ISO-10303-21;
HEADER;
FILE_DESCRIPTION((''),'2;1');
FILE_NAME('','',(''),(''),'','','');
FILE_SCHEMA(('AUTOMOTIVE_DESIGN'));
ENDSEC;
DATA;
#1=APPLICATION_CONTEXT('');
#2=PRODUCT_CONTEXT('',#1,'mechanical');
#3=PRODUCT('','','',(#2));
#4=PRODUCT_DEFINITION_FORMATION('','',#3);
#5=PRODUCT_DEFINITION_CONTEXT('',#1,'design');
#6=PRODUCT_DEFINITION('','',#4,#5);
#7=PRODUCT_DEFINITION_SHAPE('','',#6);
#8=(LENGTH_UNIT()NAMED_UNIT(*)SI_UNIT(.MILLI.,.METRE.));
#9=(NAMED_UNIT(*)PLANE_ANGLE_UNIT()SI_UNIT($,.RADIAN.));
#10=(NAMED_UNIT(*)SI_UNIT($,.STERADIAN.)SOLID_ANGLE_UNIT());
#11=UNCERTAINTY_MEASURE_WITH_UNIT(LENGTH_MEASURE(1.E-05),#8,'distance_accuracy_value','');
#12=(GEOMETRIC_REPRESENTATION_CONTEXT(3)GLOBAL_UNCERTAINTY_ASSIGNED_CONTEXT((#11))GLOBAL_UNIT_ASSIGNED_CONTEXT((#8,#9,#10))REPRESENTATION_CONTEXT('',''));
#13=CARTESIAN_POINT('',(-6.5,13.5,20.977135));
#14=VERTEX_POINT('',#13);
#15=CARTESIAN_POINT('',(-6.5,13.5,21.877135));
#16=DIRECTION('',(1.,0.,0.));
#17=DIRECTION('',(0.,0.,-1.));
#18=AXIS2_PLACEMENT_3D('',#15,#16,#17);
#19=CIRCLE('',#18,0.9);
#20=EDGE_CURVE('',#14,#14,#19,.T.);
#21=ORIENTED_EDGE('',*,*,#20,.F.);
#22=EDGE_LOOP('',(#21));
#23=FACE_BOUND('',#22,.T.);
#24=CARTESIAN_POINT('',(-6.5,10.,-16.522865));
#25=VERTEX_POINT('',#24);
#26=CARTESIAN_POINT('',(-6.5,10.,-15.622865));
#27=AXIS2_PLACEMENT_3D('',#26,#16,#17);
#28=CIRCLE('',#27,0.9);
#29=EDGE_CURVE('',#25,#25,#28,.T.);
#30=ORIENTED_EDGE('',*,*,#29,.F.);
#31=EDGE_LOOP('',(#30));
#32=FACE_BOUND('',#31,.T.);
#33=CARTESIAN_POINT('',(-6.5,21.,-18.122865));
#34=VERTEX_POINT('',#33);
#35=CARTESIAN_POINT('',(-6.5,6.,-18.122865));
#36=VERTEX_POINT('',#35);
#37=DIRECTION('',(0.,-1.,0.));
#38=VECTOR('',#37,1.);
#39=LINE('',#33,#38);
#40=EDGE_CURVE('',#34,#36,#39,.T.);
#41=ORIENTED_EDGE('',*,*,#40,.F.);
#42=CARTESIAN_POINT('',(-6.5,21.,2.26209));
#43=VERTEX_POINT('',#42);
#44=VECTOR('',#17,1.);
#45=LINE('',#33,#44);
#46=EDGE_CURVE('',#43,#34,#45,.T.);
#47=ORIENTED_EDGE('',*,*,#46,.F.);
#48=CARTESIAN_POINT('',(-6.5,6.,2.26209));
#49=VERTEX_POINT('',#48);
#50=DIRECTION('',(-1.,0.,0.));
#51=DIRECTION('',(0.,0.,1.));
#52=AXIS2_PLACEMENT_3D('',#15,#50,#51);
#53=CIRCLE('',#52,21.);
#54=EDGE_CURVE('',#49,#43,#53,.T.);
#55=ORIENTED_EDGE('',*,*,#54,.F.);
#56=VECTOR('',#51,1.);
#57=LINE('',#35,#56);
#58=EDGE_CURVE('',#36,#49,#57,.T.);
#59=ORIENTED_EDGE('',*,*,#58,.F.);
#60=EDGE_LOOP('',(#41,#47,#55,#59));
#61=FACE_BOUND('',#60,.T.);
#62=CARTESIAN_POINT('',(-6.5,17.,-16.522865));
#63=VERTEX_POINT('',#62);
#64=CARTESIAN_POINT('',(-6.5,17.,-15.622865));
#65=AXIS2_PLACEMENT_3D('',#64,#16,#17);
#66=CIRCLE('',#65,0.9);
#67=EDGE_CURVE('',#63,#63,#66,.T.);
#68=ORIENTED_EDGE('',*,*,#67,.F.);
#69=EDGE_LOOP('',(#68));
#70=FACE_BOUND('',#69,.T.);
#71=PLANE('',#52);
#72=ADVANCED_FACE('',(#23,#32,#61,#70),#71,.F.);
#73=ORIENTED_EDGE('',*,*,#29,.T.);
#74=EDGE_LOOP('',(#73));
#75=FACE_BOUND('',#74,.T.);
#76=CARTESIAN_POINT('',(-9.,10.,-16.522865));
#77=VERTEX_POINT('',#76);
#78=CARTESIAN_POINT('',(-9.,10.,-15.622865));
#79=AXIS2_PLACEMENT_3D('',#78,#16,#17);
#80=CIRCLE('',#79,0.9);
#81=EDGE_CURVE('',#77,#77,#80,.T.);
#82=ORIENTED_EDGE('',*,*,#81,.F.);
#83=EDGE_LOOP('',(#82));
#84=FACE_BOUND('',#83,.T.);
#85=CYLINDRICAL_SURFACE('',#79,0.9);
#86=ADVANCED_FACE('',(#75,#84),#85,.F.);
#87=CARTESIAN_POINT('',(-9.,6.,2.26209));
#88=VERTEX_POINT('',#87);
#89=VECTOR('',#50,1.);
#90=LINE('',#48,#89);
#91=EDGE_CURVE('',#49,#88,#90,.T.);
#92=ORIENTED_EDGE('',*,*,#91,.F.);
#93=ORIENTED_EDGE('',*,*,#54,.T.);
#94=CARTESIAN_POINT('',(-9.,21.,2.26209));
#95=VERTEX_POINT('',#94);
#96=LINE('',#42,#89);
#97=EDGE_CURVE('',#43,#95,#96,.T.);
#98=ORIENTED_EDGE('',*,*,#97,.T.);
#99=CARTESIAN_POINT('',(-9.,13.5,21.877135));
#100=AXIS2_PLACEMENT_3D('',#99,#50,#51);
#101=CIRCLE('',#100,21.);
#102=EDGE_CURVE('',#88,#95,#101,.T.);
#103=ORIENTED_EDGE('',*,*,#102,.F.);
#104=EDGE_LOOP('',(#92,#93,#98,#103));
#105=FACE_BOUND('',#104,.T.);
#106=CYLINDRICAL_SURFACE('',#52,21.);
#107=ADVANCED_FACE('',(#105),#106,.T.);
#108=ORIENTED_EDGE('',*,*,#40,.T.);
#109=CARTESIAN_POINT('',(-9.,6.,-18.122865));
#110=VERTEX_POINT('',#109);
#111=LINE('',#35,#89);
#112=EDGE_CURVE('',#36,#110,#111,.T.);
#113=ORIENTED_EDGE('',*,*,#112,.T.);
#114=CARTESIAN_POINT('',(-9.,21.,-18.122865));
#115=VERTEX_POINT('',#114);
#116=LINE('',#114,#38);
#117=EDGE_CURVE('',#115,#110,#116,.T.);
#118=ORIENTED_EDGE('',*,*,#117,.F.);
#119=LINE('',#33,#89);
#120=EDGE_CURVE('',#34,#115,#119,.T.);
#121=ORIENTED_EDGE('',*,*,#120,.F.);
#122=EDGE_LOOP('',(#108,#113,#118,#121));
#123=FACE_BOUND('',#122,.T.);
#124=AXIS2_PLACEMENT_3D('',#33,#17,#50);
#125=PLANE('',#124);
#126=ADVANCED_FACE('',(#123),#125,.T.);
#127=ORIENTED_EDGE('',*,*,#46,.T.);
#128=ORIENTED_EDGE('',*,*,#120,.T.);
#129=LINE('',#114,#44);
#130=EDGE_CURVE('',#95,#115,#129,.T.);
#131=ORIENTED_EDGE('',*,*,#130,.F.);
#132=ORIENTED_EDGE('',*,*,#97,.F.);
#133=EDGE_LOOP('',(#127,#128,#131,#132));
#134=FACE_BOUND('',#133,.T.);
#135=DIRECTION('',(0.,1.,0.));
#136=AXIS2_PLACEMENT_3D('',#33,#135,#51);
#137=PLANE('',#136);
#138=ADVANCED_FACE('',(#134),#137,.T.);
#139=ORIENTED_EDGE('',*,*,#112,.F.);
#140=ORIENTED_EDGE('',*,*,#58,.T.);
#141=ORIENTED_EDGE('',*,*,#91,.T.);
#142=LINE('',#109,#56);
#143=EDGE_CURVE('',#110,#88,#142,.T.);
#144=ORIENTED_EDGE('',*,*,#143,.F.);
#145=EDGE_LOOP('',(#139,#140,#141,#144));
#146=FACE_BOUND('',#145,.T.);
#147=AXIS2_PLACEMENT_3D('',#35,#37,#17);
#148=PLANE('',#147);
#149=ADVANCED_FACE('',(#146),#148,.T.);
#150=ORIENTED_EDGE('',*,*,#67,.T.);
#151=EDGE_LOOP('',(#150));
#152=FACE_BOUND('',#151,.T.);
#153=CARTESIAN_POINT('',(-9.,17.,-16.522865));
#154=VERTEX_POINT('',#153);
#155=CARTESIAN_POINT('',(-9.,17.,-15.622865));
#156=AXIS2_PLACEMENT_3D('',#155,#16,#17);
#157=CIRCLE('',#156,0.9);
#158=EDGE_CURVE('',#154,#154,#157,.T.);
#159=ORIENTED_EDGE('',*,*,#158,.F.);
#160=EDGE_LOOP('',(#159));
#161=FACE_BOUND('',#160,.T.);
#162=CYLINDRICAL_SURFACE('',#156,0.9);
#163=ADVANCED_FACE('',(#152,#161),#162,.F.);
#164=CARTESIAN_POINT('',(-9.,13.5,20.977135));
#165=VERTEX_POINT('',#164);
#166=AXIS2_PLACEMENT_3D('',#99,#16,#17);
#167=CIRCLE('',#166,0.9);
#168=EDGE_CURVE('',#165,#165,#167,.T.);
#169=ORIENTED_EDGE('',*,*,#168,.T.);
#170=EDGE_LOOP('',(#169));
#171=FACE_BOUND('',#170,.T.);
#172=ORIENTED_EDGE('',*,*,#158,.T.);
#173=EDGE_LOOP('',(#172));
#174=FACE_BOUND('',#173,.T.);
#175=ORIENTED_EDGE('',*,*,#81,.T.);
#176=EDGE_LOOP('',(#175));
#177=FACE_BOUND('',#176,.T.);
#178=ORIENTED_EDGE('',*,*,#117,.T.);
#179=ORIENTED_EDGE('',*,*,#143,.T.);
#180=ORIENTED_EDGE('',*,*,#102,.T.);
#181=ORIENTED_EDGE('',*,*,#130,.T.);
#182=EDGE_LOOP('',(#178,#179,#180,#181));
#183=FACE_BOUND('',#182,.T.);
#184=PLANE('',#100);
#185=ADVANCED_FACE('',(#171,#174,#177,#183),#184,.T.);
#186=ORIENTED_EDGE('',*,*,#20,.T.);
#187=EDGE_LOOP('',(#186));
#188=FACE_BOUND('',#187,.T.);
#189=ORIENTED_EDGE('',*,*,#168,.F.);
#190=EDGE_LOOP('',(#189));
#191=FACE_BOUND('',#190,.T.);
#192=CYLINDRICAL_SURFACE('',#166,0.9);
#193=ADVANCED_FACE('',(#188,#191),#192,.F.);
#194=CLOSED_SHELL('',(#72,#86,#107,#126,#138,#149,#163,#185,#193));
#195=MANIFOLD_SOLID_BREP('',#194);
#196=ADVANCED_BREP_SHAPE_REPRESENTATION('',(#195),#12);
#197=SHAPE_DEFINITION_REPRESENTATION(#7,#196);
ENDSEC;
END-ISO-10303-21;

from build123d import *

# Parameters (mm, degrees)
EXTRUDE_1_DEPTH     = 2.5
SKETCH_2_R          = 0.9
CUT_EXTRUDE_1_DEPTH = 3.5


with BuildPart() as part:
    # 스케치1 → 보스-돌출1 (new body)
    with BuildSketch(Plane(origin=(-9, 0, 0), x_dir=(0, -1, 0), z_dir=(-1, 0, 0))):
        with BuildLine():
            Line((-21, -18.122865071), (-21, 2.262089683))
            ThreePointArc((-21, 2.262089683), (-13.5, 42.877134929), (-6, 2.262089683))
            Line((-6, 2.262089683), (-6, -18.122865071))
            Line((-6, -18.122865071), (-21, -18.122865071))
        make_face()
    extrude(amount=-EXTRUDE_1_DEPTH)

    # 스케치2 → 컷-돌출1 (cut, through all)
    with BuildSketch(Plane(origin=(-6.5, 0, 0), x_dir=(0, 0, -1), z_dir=(1, 0, 0))):
        with Locations((15.622865071, 10)):
            Circle(SKETCH_2_R)
        with Locations((15.622865071, 17)):
            Circle(SKETCH_2_R)
        with Locations((-21.877134929, 13.5)):
            Circle(SKETCH_2_R)
    extrude(amount=-CUT_EXTRUDE_1_DEPTH, mode=Mode.SUBTRACT)


solid = part.part
